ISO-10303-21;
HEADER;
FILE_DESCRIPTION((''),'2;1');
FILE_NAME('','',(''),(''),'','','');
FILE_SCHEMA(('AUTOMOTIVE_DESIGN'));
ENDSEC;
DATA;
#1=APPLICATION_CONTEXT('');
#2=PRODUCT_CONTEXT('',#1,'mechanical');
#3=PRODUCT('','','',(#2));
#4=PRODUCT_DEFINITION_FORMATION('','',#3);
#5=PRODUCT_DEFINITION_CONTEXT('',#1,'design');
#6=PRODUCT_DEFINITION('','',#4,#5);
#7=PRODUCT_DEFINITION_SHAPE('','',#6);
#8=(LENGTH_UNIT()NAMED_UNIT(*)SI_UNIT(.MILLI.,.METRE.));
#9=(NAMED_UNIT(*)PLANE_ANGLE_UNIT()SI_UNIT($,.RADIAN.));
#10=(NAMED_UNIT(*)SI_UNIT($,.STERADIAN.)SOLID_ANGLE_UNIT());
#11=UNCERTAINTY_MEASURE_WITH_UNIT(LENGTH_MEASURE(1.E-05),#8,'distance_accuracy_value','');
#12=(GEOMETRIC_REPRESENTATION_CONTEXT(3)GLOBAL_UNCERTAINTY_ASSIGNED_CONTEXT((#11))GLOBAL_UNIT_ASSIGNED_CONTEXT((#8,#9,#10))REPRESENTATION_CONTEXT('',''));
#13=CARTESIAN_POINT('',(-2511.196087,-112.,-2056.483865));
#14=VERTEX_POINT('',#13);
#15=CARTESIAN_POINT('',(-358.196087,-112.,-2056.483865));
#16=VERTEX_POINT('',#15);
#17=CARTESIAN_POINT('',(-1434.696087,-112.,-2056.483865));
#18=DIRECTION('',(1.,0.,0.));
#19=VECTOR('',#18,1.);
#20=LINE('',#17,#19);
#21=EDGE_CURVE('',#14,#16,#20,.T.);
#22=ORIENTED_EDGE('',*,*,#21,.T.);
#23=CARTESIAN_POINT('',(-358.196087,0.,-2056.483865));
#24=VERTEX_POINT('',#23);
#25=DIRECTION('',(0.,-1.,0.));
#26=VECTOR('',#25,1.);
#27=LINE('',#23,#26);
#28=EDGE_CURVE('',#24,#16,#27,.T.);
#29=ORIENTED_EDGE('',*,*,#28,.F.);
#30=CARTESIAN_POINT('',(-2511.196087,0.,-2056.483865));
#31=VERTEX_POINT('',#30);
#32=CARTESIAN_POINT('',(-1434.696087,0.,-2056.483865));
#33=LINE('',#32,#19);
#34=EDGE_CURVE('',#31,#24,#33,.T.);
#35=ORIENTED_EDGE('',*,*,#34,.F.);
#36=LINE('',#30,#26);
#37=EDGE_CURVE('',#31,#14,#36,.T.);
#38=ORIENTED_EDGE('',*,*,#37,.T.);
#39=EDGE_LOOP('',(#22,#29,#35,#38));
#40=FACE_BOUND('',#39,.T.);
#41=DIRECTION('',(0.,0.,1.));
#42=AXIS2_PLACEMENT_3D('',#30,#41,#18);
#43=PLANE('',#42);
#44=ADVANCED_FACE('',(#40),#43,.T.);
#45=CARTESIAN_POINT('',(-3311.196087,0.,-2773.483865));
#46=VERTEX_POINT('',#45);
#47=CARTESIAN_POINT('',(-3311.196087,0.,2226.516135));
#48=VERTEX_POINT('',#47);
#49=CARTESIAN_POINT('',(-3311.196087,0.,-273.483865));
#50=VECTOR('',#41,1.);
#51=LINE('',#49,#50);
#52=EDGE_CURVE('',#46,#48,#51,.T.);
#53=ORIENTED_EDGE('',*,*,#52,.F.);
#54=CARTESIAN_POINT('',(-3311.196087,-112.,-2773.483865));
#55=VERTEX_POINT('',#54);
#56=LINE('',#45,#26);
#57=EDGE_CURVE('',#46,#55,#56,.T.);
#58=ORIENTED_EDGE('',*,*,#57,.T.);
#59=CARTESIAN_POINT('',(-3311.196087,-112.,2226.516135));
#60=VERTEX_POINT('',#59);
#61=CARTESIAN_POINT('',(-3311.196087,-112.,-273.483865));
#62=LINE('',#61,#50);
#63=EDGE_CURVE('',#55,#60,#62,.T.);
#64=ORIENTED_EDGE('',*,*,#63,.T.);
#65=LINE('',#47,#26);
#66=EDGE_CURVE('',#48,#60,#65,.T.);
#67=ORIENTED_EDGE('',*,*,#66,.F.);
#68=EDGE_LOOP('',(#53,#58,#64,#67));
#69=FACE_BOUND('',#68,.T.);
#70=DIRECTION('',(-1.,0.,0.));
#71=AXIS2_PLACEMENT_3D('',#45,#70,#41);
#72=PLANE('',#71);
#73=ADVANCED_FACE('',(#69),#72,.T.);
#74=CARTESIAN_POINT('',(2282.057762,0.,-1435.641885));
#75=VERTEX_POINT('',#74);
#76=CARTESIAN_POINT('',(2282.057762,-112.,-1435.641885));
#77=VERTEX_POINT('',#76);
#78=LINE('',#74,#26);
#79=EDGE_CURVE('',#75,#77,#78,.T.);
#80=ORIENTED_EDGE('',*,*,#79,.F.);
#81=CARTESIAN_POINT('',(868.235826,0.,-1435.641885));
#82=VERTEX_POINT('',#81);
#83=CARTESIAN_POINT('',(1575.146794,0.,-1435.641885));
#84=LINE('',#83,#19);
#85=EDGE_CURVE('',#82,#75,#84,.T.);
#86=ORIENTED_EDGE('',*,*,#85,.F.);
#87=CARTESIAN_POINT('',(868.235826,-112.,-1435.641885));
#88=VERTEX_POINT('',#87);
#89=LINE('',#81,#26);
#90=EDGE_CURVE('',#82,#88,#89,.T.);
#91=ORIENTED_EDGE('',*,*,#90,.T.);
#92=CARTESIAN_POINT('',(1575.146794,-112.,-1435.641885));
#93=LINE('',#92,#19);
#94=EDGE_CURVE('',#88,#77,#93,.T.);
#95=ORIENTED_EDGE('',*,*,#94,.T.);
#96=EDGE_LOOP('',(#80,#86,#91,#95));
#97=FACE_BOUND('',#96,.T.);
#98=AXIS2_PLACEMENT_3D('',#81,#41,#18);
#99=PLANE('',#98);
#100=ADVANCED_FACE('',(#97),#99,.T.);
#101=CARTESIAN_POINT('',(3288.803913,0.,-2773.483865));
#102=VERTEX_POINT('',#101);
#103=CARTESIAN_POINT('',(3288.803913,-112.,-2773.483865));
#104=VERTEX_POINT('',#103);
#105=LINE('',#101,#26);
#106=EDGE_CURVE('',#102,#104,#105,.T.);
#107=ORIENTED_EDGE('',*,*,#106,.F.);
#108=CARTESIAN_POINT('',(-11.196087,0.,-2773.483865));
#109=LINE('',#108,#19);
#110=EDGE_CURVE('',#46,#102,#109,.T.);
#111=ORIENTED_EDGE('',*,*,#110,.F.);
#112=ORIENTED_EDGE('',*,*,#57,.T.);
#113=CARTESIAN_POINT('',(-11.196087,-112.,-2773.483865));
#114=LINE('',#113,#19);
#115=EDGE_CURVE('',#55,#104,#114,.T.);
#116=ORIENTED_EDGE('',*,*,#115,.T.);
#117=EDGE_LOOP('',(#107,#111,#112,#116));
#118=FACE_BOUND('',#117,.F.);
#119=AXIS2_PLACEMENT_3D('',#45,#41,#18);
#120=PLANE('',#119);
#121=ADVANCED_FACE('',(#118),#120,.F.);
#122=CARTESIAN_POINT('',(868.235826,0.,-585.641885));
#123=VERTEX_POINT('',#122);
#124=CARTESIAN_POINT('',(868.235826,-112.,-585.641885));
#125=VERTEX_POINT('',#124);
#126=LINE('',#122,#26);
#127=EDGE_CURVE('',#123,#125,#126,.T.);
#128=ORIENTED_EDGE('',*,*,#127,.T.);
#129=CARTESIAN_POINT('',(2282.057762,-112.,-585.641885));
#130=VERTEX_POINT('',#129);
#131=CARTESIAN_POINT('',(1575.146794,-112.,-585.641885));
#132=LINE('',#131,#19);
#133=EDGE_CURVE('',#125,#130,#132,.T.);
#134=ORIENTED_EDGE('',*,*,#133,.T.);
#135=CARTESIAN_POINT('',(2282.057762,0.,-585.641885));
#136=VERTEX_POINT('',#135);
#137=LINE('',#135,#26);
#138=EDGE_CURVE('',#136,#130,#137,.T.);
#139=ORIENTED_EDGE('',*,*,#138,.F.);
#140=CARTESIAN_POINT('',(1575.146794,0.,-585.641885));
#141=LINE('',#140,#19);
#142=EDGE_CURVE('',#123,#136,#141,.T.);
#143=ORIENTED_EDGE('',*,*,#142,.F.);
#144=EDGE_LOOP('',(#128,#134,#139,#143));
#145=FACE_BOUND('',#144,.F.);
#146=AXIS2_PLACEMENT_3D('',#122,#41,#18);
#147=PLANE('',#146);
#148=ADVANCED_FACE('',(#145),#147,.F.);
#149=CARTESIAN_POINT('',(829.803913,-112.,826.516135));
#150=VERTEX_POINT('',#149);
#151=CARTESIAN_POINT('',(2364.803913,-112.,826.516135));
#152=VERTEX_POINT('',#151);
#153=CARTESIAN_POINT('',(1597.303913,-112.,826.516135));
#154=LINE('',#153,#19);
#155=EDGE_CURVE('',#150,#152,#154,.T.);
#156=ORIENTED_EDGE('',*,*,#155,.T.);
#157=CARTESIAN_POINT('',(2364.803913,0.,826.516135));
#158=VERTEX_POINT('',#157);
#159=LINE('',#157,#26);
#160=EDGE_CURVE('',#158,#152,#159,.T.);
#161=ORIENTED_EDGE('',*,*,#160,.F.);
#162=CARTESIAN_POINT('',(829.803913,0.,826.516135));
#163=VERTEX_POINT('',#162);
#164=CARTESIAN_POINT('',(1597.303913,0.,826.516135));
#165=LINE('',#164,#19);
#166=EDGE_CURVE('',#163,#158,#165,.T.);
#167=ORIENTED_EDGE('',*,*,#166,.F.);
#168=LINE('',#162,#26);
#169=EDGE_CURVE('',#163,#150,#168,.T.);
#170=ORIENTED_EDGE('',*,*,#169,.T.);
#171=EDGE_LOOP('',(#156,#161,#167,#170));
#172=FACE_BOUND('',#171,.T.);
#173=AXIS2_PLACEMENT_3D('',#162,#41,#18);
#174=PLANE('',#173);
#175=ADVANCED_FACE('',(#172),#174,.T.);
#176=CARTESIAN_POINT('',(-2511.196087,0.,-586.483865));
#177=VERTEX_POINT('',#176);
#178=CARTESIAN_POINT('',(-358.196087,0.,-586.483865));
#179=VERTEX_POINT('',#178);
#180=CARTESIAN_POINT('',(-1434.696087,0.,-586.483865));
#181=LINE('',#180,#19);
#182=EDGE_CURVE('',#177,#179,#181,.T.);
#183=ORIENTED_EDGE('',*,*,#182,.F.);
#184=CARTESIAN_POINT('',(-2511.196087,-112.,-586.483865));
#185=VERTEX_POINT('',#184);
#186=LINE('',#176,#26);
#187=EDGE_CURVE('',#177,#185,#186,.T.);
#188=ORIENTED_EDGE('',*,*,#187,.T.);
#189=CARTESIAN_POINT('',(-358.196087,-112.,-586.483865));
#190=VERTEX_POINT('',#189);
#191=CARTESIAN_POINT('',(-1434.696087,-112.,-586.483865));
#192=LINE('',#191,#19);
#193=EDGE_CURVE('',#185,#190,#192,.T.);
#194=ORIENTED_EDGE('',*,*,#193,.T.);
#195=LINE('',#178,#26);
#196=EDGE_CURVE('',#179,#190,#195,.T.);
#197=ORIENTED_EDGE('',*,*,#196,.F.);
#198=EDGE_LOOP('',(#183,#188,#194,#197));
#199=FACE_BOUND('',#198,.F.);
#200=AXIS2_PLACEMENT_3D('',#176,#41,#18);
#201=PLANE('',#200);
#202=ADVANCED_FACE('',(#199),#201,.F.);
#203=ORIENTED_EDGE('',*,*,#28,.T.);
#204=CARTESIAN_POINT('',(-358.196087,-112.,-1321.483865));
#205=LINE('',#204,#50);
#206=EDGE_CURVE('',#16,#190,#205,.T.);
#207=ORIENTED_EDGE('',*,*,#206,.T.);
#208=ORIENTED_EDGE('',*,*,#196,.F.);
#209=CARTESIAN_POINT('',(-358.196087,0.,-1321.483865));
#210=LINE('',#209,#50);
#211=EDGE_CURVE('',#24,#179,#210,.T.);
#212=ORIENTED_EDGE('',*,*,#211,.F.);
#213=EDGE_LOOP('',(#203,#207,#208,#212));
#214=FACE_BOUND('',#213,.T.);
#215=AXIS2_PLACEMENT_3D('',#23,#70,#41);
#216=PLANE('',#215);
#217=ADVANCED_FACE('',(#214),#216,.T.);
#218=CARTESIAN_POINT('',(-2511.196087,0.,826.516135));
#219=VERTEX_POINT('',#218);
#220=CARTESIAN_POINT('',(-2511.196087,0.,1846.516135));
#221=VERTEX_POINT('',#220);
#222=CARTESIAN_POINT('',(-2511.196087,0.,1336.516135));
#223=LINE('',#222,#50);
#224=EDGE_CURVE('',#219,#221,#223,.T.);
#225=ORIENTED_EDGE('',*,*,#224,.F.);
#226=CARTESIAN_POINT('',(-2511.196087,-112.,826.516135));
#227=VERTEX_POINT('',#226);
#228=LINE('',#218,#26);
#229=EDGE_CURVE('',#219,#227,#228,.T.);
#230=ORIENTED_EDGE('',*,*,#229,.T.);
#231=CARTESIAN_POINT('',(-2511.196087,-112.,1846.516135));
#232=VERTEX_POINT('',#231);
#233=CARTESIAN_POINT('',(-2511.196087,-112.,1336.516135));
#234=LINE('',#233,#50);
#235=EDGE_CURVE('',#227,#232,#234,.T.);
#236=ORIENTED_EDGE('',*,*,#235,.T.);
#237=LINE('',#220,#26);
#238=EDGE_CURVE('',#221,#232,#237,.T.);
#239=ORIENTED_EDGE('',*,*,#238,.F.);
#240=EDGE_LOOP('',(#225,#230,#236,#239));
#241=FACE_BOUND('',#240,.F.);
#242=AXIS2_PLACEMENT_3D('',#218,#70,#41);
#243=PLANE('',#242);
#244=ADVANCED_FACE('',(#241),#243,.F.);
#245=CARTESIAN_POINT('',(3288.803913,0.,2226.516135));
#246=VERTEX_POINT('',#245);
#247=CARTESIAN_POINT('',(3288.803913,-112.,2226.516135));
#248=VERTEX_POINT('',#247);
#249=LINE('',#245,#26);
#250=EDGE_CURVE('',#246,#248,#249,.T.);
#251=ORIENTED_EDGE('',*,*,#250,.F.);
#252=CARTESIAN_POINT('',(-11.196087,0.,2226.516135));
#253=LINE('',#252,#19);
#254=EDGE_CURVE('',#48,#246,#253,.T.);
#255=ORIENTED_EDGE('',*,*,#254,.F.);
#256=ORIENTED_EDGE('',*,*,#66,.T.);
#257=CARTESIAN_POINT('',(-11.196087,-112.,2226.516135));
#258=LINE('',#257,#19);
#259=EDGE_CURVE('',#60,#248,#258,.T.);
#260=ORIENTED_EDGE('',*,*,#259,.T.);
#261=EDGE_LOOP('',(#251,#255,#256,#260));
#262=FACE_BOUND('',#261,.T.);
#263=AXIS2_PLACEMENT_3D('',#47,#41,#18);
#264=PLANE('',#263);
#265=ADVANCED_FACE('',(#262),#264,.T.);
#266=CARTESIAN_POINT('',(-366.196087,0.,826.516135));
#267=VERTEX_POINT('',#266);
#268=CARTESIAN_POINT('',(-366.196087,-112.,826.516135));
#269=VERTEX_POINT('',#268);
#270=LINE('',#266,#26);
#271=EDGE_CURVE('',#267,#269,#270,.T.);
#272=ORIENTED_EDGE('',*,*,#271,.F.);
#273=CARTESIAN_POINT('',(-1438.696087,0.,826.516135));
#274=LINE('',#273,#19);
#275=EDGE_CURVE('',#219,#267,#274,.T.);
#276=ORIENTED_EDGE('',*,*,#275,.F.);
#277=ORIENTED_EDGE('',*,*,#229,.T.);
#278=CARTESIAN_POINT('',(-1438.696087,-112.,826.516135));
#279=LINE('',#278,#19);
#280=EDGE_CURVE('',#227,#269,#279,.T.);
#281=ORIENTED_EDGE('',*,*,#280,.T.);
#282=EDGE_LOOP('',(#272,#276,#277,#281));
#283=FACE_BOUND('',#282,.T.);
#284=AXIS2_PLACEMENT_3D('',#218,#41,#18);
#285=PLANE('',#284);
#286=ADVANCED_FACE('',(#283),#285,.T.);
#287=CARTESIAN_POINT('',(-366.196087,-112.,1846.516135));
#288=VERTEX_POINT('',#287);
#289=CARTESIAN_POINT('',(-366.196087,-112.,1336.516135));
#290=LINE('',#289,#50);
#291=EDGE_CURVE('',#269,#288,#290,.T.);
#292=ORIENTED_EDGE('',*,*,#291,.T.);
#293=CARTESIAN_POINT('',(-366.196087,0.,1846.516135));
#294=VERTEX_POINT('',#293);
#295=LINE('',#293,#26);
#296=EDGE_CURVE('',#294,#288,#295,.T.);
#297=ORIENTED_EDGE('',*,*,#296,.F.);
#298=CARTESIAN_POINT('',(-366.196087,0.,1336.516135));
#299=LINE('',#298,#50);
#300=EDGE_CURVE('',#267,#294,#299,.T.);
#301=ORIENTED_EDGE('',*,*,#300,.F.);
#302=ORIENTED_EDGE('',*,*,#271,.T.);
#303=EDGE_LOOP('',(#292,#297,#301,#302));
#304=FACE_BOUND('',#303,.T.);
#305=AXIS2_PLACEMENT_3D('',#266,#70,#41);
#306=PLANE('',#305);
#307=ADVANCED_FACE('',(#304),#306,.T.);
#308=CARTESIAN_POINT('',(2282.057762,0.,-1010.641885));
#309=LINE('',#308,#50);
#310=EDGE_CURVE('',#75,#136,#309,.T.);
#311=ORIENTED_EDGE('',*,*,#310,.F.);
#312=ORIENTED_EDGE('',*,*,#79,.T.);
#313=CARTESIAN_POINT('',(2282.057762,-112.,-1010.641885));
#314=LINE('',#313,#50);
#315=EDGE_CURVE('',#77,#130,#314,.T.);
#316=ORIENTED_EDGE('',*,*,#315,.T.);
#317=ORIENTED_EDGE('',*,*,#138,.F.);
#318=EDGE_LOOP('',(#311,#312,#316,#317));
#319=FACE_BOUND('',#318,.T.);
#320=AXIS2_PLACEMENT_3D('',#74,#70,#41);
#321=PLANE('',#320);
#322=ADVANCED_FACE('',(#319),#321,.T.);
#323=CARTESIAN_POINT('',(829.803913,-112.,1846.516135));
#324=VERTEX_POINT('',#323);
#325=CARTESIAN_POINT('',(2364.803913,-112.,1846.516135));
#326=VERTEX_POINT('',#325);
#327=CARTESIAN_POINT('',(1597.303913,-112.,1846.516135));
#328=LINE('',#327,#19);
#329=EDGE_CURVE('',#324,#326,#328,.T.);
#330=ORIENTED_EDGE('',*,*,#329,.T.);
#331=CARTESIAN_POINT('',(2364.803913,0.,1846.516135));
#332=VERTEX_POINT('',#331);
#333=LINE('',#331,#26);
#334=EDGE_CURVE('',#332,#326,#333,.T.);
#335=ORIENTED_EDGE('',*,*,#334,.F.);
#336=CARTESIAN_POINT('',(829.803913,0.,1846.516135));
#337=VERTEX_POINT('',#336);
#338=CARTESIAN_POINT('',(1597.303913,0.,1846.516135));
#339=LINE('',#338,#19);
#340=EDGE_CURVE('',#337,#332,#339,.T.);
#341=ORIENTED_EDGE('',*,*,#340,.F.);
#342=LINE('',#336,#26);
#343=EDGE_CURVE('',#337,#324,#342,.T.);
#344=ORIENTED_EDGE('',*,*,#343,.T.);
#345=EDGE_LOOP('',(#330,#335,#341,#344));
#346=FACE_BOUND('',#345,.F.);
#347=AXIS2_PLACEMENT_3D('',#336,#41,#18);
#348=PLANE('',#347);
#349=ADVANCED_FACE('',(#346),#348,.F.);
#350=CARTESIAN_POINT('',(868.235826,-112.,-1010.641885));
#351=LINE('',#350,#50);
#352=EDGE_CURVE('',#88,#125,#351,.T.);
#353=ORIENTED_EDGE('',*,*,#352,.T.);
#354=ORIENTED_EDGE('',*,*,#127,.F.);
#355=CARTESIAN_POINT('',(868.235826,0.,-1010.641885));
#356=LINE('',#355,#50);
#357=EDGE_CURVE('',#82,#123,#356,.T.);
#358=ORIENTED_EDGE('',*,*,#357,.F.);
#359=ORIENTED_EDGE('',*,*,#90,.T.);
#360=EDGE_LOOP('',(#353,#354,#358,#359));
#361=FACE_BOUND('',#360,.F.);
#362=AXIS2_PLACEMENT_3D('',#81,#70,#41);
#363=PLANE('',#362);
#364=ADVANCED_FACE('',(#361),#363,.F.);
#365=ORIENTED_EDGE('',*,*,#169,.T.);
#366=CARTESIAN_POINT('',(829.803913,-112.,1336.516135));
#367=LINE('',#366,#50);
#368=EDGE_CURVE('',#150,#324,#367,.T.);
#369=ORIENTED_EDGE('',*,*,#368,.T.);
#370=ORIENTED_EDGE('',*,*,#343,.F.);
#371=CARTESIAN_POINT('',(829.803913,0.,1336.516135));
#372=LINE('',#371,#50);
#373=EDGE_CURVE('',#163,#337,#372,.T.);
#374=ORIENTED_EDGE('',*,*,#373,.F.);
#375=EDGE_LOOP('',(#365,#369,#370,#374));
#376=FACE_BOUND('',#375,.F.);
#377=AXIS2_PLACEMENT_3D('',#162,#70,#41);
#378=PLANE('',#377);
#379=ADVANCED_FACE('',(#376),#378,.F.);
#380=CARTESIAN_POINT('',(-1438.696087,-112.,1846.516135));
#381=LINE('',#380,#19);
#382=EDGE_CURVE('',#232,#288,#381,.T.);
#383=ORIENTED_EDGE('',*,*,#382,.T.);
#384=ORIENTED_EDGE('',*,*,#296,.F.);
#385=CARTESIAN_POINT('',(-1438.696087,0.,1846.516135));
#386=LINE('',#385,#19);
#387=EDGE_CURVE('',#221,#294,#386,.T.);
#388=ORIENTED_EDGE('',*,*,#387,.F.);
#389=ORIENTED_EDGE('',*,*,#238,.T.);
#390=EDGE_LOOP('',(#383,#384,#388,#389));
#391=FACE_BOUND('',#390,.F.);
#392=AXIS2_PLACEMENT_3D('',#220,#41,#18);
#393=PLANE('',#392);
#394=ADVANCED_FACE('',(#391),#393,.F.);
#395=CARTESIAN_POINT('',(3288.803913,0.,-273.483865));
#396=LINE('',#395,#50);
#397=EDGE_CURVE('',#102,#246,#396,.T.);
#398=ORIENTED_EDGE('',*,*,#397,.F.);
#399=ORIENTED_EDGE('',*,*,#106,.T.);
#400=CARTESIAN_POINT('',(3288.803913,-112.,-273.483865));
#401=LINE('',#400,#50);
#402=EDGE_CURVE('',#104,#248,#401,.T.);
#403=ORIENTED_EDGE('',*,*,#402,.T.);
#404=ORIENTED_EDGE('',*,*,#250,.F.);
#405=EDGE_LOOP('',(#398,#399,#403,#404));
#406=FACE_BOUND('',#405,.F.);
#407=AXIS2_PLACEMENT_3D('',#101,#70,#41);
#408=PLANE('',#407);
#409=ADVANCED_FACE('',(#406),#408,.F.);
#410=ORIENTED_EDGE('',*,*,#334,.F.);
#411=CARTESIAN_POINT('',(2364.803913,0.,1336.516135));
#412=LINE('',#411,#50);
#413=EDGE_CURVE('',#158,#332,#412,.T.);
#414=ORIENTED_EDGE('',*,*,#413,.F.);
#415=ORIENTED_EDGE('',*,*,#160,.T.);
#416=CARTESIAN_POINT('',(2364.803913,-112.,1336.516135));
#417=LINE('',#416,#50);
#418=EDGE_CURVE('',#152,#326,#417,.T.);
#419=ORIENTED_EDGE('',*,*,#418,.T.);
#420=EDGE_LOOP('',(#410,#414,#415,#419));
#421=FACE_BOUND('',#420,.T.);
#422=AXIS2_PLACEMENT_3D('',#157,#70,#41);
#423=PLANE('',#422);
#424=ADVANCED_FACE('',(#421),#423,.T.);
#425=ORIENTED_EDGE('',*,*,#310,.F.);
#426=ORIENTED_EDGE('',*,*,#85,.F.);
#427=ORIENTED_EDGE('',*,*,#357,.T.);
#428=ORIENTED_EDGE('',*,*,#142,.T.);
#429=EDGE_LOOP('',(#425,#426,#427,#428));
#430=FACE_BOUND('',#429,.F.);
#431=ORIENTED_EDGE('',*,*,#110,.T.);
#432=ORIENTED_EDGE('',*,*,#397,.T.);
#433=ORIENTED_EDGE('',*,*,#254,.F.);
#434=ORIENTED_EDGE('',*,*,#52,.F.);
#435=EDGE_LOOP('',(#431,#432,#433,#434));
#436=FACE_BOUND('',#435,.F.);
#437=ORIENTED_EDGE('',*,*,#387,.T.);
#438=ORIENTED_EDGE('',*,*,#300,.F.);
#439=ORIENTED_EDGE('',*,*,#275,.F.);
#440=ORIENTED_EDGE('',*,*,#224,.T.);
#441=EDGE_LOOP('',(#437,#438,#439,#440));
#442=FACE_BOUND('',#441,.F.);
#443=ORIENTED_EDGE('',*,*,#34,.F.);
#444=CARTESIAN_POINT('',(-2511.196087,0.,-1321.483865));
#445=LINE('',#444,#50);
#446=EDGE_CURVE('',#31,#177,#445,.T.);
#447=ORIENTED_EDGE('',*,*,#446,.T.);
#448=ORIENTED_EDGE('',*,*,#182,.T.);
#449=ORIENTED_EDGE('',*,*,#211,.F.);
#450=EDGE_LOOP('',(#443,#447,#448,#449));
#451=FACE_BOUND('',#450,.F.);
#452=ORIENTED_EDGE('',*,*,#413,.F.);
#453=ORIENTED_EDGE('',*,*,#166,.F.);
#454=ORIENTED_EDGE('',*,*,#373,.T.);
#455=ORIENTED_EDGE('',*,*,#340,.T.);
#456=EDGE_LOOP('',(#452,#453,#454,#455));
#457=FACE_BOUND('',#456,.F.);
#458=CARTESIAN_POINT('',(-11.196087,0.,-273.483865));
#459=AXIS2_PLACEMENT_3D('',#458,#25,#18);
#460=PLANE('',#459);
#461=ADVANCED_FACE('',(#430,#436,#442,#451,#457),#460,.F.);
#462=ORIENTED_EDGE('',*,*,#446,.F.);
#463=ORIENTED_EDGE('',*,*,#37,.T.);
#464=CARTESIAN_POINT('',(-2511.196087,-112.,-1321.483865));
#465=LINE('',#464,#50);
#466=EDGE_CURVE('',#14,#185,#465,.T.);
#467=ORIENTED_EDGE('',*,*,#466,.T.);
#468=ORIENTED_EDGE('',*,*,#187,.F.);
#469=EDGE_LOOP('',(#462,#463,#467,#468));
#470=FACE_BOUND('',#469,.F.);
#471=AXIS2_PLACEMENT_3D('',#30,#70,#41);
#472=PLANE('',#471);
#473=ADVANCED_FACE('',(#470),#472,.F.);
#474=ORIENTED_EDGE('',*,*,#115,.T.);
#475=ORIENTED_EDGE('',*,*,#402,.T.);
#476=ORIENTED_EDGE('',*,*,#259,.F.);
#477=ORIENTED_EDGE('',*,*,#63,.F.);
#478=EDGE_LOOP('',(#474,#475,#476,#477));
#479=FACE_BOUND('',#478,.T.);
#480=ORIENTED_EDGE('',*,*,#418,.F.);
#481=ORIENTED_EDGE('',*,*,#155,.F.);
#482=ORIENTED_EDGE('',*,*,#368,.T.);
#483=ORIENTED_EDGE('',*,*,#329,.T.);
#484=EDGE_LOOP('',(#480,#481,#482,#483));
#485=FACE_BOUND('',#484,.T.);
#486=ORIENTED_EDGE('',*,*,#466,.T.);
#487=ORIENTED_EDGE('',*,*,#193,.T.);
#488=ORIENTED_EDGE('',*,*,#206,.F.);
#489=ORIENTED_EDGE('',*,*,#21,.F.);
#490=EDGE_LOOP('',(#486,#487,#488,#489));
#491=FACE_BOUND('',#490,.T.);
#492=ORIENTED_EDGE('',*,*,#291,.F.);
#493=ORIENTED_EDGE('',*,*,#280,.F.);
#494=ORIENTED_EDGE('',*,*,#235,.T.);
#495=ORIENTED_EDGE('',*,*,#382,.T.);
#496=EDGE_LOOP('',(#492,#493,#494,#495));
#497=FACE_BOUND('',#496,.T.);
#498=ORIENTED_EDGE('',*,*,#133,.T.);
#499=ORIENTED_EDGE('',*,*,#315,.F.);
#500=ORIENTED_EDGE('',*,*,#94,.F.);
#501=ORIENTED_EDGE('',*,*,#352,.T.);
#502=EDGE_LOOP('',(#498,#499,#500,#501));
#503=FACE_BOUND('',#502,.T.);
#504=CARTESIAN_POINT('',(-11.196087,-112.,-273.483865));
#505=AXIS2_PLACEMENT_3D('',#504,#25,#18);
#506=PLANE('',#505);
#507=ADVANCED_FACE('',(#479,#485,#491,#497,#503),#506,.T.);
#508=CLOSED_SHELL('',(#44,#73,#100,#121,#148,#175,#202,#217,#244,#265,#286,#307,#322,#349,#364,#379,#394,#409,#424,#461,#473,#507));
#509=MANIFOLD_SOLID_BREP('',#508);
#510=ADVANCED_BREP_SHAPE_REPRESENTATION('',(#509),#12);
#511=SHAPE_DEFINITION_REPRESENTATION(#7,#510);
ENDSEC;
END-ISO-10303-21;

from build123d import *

# Parameters (mm, degrees)
F0_W     = 6600
F0_H     = 5000
F0_W_2   = 2153
F0_H_2   = 1470
F0_W_3   = 1413.821936
F0_H_3   = 850
F0_W_4   = 2145
F0_H_4   = 1020
F0_W_5   = 1535
F1_DEPTH = 112


with BuildPart() as f1:
    # F0 (on Front) → F1 (new body)
    with BuildSketch(Plane.XZ):
        with Locations((-11.196087, -273.483865)):
            Rectangle(F0_W, F0_H)
        with Locations((-1434.696087, -1321.483865)):
            Rectangle(F0_W_2, F0_H_2, mode=Mode.SUBTRACT)
        with Locations((1575.146794, -1010.641885)):
            Rectangle(F0_W_3, F0_H_3, mode=Mode.SUBTRACT)
        with Locations((-1438.696087, 1336.516135)):
            Rectangle(F0_W_4, F0_H_4, mode=Mode.SUBTRACT)
        with Locations((1597.303913, 1336.516135)):
            Rectangle(F0_W_5, F0_H_4, mode=Mode.SUBTRACT)
    extrude(amount=F1_DEPTH)


solid = f1.part
